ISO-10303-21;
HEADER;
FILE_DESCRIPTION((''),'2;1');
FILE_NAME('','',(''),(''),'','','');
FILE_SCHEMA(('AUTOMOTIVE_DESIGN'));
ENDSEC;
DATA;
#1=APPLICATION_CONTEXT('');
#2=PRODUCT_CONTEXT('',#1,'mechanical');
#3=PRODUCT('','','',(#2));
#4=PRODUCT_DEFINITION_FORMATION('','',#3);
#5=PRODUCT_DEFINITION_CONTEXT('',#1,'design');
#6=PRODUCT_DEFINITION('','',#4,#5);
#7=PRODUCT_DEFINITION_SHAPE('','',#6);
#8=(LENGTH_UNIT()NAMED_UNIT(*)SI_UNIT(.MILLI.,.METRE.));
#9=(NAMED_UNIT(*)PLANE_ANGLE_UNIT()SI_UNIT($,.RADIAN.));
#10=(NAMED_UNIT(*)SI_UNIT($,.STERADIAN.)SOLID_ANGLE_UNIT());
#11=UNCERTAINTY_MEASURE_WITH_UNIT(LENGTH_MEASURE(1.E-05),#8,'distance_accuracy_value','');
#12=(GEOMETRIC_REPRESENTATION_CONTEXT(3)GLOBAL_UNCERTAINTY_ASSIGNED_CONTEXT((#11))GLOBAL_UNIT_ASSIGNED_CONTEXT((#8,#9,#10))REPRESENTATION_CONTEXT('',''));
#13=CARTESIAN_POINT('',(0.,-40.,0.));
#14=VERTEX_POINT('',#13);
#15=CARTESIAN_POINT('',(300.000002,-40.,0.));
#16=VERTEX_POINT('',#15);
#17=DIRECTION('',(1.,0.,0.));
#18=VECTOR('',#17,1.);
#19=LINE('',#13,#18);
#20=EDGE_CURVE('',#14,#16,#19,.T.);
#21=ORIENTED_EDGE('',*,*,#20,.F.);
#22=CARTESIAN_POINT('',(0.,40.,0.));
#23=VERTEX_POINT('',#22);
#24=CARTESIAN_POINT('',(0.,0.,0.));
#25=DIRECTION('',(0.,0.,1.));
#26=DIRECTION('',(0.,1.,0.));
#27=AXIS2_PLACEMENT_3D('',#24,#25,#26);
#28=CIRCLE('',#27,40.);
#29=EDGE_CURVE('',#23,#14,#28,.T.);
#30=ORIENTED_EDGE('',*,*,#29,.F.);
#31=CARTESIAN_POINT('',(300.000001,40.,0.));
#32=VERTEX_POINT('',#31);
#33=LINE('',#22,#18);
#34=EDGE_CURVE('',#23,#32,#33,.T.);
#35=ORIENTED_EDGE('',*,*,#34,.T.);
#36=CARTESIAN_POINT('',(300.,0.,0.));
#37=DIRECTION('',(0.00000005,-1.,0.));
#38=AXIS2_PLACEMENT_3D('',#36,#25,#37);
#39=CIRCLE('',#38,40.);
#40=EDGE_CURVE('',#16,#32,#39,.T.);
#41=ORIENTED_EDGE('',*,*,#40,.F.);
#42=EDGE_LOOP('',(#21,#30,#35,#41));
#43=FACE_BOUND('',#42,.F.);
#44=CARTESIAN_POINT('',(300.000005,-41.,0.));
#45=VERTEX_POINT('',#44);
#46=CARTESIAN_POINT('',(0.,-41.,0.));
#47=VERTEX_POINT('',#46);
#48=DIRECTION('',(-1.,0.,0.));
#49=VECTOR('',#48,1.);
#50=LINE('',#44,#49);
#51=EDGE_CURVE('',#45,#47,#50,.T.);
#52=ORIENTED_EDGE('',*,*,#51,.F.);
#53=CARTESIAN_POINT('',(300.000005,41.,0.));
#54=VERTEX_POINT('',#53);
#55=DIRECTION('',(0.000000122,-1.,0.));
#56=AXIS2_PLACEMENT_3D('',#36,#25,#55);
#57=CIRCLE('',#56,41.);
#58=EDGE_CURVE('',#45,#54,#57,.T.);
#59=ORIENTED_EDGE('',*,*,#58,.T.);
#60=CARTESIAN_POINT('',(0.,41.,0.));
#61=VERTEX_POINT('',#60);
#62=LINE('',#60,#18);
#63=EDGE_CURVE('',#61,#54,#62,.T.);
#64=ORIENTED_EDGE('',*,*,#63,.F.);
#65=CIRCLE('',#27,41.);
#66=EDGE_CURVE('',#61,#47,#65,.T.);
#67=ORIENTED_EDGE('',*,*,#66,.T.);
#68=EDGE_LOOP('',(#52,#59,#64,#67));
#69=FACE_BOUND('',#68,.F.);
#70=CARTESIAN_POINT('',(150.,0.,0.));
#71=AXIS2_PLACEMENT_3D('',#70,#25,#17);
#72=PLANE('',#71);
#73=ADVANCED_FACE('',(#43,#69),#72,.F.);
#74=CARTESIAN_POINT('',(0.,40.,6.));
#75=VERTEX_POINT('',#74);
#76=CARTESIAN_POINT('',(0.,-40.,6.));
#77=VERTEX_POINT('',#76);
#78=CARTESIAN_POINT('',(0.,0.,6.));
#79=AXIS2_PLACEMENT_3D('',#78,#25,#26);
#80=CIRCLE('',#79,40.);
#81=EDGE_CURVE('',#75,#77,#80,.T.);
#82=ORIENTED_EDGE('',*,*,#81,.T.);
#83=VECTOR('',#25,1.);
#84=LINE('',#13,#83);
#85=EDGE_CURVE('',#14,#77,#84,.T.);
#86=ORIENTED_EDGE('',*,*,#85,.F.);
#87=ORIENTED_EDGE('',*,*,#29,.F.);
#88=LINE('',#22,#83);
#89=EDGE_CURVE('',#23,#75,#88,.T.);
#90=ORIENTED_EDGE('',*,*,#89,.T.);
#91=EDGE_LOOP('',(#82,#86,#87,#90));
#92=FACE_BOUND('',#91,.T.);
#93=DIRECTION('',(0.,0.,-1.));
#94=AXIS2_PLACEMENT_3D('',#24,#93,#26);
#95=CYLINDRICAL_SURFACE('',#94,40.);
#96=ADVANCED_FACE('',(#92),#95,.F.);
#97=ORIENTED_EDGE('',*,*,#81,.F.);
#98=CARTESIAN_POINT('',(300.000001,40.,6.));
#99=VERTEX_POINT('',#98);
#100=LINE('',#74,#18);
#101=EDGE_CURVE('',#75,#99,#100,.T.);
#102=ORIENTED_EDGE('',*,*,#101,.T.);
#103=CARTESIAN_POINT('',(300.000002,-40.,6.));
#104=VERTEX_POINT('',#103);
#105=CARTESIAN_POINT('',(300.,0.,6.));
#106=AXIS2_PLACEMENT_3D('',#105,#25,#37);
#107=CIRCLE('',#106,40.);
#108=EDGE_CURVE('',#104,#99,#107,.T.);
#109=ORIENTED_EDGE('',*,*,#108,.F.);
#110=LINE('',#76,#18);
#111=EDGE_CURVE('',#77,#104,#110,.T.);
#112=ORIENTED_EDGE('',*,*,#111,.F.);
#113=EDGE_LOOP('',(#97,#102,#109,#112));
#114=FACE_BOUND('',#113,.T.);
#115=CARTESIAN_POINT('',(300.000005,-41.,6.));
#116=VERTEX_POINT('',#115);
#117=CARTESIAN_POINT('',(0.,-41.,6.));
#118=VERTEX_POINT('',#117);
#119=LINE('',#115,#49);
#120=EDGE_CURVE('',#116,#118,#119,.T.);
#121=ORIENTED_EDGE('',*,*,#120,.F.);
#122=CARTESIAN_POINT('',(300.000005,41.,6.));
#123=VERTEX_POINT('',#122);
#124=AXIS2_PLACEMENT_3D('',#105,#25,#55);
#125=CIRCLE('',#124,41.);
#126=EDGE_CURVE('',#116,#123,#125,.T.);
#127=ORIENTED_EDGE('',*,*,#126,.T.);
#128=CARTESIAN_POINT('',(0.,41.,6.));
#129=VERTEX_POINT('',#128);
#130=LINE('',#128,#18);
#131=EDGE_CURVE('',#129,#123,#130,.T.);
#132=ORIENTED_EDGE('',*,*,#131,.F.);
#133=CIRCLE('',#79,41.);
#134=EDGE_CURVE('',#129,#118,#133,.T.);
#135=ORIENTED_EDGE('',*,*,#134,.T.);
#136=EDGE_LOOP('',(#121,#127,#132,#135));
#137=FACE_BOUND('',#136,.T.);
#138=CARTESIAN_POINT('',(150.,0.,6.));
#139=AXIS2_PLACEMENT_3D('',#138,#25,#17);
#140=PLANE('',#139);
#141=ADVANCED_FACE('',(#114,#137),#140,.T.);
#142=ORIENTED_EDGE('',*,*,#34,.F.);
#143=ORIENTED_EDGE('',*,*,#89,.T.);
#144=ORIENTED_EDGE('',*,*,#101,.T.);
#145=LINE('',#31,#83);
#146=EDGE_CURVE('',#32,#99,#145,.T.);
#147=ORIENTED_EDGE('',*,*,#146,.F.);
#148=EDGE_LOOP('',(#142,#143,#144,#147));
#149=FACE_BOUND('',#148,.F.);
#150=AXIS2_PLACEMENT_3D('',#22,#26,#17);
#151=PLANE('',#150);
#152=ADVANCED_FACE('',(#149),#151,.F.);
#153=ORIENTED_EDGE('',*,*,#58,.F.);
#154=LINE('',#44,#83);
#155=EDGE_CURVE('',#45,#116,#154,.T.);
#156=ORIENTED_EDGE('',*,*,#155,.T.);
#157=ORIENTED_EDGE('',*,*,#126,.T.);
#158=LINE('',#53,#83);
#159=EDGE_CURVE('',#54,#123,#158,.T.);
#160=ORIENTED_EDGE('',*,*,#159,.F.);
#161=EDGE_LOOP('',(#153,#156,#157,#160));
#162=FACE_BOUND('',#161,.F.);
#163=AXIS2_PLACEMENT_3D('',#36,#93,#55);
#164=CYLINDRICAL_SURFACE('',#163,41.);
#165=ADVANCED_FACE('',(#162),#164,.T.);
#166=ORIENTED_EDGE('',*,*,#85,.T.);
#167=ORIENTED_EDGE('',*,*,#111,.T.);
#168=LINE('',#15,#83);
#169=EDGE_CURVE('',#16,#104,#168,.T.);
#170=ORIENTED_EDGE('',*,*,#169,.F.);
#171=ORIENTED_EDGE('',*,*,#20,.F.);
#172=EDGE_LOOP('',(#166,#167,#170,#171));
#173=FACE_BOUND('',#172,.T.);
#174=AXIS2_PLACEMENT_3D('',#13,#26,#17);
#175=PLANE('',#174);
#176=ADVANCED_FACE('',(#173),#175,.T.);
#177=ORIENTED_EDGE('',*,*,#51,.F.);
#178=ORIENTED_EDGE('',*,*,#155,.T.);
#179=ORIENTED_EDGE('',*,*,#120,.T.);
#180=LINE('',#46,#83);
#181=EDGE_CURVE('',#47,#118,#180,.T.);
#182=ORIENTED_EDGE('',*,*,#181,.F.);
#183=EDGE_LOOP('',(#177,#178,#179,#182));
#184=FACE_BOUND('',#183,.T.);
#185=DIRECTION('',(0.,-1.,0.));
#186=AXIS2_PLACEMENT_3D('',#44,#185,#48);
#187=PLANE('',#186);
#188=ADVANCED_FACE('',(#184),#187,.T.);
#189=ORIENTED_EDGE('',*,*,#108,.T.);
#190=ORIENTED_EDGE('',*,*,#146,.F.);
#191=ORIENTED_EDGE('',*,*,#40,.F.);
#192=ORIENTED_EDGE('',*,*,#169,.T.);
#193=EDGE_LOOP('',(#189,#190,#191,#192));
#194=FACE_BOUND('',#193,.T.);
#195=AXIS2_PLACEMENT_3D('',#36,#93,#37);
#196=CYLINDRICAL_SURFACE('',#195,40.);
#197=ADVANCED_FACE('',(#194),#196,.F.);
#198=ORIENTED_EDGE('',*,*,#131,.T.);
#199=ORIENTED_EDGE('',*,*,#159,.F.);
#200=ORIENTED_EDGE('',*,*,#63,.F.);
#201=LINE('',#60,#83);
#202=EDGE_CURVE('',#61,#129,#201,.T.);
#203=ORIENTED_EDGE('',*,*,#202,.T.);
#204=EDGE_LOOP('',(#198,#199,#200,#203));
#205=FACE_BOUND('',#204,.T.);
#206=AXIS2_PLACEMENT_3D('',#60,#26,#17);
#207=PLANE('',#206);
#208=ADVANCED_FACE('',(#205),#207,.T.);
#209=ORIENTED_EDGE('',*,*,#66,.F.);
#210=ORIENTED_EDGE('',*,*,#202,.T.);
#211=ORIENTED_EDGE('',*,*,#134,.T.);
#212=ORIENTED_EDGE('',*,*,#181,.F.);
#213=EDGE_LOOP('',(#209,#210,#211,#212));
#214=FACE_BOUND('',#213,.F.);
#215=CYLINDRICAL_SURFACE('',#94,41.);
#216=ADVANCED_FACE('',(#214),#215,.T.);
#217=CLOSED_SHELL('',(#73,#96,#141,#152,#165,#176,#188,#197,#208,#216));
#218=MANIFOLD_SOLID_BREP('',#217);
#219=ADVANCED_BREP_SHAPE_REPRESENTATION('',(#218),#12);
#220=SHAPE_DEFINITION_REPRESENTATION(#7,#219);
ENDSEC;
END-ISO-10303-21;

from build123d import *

# Parameters (mm, degrees)
PAD_DEPTH = 6


with BuildPart() as part:
    # Sketch → Pad (new body)
    with BuildSketch(Plane.XY):
        with BuildLine():
            ThreePointArc((0, 41), (-41, 0), (0, -41))
            Line((300.000005, -41), (0, -41))
            ThreePointArc((300.000005, -41), (341, 0), (300.000005, 41))
            Line((0, 41), (300.000005, 41))
        make_face()
        with BuildLine():
            ThreePointArc((0, 40), (-40, 0), (0, -40))
            Line((0, -40), (300.000002, -40))
            ThreePointArc((300.000002, -40), (340, 0), (300.000001, 40))
            Line((0, 40), (300.000001, 40))
        make_face(mode=Mode.SUBTRACT)
    extrude(amount=PAD_DEPTH)


solid = part.part
